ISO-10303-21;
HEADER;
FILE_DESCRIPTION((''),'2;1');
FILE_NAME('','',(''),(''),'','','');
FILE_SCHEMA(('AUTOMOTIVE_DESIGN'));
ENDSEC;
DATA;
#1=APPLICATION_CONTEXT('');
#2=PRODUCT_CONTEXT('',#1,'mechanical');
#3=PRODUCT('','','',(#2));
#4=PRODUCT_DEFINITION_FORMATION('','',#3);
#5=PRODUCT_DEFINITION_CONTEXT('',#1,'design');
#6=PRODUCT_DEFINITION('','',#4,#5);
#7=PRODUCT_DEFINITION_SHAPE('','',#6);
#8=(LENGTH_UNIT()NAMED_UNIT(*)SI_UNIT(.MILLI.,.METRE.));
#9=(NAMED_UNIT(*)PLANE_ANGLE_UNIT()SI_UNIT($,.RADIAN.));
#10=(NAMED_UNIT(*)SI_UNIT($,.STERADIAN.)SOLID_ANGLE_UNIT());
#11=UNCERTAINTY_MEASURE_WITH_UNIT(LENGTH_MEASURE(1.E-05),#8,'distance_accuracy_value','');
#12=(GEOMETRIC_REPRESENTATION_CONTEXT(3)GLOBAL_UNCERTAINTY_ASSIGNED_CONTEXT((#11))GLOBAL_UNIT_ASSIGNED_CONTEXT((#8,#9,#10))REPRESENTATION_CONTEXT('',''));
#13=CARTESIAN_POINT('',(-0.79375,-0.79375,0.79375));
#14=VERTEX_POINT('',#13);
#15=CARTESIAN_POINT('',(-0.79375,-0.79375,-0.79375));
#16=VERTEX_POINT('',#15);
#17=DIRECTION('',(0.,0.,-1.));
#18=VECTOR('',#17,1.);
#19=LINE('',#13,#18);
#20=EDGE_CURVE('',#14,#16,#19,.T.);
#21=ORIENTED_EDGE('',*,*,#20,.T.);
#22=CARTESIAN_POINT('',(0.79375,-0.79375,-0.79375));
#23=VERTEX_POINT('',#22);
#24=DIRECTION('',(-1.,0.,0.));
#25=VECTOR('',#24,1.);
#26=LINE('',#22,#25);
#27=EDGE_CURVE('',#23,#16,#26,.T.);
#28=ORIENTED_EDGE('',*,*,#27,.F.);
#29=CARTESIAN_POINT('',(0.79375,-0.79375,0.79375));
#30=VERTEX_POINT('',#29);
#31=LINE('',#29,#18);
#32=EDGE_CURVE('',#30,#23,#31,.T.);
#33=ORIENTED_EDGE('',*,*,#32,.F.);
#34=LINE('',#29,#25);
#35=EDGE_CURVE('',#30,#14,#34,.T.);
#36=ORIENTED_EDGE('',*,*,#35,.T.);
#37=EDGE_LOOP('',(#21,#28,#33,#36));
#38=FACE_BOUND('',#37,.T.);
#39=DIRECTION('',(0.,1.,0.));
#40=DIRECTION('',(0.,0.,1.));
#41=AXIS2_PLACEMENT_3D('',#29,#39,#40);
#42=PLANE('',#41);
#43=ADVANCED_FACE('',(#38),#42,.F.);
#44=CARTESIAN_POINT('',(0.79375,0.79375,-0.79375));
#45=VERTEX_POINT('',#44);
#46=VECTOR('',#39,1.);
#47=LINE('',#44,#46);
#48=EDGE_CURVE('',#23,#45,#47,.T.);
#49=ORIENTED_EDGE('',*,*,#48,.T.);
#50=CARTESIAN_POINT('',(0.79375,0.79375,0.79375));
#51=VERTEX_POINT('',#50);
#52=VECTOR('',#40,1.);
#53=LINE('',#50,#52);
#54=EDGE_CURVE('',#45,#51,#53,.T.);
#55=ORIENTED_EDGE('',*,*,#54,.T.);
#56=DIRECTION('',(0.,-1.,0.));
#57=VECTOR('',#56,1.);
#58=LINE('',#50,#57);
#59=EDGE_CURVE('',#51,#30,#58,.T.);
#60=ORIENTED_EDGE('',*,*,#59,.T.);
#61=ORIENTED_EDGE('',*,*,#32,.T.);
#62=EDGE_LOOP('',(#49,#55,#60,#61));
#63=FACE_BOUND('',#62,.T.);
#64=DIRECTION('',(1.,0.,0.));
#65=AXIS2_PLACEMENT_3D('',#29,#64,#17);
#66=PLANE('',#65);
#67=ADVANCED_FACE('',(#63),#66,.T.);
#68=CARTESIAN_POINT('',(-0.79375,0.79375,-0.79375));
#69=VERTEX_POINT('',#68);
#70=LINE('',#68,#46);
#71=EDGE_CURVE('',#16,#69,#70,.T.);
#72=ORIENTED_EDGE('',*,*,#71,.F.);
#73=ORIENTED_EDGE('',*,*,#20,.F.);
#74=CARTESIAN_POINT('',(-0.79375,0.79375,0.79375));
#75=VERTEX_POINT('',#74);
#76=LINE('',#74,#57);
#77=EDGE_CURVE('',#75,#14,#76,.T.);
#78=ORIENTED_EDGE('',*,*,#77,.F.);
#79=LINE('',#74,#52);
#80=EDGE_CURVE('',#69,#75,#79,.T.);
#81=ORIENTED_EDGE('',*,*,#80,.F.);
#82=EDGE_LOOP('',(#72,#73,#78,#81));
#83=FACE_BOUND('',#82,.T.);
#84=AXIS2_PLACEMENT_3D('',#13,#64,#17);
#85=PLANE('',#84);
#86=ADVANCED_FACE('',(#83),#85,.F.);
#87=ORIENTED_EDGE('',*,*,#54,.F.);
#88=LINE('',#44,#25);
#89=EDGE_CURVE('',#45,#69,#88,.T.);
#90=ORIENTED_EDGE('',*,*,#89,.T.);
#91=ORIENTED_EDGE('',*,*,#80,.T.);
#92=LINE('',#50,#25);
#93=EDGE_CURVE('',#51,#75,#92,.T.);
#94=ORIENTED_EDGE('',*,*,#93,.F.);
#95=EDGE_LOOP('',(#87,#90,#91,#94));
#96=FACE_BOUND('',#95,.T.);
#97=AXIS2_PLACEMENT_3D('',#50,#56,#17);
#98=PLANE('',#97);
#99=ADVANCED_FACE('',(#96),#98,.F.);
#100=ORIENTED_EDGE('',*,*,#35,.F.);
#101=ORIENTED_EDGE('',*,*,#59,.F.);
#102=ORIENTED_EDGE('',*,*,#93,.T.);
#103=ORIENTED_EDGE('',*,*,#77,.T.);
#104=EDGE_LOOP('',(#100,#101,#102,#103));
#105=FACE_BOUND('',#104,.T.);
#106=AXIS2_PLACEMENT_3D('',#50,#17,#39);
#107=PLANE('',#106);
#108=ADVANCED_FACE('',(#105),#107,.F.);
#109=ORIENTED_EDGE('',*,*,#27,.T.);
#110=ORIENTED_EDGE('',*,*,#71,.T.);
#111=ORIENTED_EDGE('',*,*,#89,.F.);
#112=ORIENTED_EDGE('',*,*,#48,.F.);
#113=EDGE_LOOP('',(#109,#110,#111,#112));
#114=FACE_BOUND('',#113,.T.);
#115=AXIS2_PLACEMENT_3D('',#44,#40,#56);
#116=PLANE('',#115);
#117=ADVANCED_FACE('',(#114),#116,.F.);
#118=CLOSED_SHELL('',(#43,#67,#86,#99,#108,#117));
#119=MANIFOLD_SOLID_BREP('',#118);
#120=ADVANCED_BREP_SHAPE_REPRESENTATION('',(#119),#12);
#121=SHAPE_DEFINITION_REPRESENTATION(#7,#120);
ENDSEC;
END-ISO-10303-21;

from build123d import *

# Parameters (mm, degrees)
SKETCH1_W      = 1.5875
SKETCH1_H      = 1.5875
EXTRUDE1_DEPTH = 0.79375


with BuildPart() as part:
    # Sketch1 → Extrude1 (new, symmetric)
    with BuildSketch(Plane(origin=(0, 0, 0), x_dir=(0, 0, -1), z_dir=(1, 0, 0))):
        Rectangle(SKETCH1_W, SKETCH1_H)
    extrude(amount=EXTRUDE1_DEPTH, both=True)


solid = part.part
